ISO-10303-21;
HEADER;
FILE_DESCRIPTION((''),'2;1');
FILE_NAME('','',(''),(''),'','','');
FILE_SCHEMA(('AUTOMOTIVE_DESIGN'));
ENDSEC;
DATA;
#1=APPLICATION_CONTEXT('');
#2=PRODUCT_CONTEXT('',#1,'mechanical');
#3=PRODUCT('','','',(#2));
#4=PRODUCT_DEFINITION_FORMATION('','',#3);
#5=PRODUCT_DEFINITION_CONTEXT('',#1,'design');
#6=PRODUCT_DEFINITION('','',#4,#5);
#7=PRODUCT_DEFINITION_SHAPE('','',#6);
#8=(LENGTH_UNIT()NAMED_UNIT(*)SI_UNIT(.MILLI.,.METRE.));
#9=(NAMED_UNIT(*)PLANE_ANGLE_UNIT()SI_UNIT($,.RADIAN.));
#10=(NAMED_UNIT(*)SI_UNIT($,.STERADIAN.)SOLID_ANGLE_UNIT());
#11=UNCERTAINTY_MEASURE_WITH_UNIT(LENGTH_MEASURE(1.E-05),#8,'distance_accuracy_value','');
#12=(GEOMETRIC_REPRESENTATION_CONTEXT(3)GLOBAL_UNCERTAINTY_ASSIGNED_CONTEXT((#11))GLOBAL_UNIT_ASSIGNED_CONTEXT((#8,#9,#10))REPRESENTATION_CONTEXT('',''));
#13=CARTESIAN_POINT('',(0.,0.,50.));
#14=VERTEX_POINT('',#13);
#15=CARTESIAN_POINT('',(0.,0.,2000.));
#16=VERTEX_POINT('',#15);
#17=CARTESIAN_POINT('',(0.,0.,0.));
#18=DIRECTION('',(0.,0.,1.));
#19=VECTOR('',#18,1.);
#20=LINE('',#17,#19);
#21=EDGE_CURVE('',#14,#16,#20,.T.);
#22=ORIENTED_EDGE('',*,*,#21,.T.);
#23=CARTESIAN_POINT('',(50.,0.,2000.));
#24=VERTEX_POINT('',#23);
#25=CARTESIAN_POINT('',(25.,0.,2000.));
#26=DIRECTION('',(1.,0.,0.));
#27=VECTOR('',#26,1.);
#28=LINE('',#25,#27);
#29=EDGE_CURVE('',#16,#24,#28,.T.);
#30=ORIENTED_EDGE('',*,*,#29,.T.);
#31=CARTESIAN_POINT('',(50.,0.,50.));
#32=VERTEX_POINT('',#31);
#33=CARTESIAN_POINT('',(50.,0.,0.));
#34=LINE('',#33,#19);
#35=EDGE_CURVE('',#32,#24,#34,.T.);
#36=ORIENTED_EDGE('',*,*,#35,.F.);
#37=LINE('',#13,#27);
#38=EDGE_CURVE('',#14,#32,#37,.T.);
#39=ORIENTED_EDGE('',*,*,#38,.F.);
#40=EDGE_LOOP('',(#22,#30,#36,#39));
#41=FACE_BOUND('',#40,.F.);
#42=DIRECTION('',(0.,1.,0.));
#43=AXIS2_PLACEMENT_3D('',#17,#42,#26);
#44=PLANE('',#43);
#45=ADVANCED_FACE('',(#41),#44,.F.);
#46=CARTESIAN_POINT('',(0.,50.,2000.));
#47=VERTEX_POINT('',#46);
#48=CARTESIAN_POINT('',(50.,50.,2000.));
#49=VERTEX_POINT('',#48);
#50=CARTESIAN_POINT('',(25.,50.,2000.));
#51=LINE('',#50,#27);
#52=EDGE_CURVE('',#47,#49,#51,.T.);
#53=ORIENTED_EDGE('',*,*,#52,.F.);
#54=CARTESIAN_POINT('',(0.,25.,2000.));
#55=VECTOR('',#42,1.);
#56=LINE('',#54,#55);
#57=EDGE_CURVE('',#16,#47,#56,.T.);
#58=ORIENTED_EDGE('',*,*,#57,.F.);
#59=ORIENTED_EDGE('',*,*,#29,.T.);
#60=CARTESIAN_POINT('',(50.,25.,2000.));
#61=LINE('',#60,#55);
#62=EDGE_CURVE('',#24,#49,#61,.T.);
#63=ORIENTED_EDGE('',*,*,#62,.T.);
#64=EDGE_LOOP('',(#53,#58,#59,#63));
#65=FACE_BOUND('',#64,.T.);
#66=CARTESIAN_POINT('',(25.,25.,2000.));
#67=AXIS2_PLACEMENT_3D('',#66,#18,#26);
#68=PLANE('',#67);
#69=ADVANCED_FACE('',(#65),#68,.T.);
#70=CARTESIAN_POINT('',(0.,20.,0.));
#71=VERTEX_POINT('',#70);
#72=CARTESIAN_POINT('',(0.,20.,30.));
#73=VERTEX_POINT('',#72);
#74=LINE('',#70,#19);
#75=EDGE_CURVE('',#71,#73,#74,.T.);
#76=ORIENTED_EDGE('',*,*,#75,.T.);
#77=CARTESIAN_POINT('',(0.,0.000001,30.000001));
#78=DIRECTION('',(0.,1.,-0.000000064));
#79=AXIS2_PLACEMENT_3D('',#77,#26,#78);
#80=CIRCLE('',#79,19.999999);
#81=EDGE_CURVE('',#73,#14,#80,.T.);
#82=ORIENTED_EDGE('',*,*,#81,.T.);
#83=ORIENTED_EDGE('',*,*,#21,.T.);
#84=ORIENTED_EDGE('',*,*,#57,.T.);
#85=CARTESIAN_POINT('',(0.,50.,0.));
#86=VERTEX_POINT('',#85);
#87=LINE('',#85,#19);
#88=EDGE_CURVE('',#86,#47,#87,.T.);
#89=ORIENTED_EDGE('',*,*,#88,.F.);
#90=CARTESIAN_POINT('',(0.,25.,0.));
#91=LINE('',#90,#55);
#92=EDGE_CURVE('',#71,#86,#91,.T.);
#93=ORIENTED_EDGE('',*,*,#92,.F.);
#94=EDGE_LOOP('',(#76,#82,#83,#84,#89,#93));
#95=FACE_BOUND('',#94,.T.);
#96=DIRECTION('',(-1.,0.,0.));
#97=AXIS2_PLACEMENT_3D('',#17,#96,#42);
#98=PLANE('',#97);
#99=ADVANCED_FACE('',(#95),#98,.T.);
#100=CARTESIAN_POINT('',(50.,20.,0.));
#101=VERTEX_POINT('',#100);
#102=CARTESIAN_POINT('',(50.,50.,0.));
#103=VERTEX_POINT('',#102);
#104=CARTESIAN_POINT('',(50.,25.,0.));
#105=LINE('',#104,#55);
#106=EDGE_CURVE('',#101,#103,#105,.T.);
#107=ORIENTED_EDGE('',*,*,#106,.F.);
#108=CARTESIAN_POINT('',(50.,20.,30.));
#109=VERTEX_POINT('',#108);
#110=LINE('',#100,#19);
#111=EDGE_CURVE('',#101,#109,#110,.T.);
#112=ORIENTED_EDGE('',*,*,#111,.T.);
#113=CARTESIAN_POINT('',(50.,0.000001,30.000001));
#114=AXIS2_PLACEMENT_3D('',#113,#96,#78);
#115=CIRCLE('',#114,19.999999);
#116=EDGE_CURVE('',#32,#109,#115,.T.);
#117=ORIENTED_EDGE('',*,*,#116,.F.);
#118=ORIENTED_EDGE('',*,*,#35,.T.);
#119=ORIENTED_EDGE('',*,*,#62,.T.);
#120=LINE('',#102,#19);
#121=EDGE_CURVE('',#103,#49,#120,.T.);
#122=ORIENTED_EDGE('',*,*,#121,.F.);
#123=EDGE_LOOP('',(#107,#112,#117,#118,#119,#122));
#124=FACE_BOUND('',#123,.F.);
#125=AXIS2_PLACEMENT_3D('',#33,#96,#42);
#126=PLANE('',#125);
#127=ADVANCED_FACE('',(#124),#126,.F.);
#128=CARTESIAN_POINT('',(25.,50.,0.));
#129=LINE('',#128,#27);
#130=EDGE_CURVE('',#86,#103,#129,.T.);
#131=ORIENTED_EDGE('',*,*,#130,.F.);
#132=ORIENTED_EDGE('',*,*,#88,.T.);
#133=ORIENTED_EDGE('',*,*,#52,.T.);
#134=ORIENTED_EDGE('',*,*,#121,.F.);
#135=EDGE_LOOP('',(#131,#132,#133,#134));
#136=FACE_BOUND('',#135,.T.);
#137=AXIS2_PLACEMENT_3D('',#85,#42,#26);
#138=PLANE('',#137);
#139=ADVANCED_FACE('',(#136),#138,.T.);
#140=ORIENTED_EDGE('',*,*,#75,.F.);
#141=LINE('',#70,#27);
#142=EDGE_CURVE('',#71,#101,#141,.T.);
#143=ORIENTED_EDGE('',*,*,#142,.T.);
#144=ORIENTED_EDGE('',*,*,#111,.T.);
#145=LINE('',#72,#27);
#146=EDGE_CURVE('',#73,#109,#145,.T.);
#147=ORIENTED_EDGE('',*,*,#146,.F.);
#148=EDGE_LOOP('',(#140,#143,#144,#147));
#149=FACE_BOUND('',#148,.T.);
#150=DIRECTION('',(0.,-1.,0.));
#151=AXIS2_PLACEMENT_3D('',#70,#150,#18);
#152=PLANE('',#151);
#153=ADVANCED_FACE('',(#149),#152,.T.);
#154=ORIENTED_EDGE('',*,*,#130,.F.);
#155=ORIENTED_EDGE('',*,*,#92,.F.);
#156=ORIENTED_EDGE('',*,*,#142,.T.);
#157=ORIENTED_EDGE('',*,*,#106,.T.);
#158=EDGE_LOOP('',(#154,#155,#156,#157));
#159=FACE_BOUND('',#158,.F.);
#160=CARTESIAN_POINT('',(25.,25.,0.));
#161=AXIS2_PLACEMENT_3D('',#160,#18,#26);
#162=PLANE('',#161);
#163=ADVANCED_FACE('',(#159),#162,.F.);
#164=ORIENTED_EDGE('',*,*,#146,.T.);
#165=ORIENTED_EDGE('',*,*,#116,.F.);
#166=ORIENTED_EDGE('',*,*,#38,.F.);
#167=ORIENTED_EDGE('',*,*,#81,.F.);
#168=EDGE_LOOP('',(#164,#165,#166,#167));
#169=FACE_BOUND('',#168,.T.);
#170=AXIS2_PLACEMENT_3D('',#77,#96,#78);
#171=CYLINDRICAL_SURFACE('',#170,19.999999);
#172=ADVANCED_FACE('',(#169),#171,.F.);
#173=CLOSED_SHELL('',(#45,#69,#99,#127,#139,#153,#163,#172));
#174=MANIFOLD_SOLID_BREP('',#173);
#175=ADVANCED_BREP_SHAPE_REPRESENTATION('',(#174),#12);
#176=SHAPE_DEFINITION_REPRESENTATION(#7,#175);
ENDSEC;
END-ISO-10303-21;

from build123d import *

# Parameters (mm, degrees)
F0_W     = 50
F0_H     = 50
F1_DEPTH = 2000
F3_DEPTH = 50.001


with BuildPart() as f1:
    # F0 (on Top) → F1 (new body)
    with BuildSketch(Plane.XY):
        with Locations((25, 25)):
            Rectangle(F0_W, F0_H)
    extrude(amount=F1_DEPTH)

    # F2 (on Right) → F3 (cut, through all)
    with BuildSketch(Plane.YZ):
        with BuildLine():
            Line((0, 50), (0, 0))
            Line((0, 0), (20, 0))
            Line((20, 0), (20, 30))
            ThreePointArc((20, 30), (14.142136, 44.142136), (0, 50))
        make_face()
    extrude(amount=F3_DEPTH, mode=Mode.SUBTRACT)


solid = f1.part
